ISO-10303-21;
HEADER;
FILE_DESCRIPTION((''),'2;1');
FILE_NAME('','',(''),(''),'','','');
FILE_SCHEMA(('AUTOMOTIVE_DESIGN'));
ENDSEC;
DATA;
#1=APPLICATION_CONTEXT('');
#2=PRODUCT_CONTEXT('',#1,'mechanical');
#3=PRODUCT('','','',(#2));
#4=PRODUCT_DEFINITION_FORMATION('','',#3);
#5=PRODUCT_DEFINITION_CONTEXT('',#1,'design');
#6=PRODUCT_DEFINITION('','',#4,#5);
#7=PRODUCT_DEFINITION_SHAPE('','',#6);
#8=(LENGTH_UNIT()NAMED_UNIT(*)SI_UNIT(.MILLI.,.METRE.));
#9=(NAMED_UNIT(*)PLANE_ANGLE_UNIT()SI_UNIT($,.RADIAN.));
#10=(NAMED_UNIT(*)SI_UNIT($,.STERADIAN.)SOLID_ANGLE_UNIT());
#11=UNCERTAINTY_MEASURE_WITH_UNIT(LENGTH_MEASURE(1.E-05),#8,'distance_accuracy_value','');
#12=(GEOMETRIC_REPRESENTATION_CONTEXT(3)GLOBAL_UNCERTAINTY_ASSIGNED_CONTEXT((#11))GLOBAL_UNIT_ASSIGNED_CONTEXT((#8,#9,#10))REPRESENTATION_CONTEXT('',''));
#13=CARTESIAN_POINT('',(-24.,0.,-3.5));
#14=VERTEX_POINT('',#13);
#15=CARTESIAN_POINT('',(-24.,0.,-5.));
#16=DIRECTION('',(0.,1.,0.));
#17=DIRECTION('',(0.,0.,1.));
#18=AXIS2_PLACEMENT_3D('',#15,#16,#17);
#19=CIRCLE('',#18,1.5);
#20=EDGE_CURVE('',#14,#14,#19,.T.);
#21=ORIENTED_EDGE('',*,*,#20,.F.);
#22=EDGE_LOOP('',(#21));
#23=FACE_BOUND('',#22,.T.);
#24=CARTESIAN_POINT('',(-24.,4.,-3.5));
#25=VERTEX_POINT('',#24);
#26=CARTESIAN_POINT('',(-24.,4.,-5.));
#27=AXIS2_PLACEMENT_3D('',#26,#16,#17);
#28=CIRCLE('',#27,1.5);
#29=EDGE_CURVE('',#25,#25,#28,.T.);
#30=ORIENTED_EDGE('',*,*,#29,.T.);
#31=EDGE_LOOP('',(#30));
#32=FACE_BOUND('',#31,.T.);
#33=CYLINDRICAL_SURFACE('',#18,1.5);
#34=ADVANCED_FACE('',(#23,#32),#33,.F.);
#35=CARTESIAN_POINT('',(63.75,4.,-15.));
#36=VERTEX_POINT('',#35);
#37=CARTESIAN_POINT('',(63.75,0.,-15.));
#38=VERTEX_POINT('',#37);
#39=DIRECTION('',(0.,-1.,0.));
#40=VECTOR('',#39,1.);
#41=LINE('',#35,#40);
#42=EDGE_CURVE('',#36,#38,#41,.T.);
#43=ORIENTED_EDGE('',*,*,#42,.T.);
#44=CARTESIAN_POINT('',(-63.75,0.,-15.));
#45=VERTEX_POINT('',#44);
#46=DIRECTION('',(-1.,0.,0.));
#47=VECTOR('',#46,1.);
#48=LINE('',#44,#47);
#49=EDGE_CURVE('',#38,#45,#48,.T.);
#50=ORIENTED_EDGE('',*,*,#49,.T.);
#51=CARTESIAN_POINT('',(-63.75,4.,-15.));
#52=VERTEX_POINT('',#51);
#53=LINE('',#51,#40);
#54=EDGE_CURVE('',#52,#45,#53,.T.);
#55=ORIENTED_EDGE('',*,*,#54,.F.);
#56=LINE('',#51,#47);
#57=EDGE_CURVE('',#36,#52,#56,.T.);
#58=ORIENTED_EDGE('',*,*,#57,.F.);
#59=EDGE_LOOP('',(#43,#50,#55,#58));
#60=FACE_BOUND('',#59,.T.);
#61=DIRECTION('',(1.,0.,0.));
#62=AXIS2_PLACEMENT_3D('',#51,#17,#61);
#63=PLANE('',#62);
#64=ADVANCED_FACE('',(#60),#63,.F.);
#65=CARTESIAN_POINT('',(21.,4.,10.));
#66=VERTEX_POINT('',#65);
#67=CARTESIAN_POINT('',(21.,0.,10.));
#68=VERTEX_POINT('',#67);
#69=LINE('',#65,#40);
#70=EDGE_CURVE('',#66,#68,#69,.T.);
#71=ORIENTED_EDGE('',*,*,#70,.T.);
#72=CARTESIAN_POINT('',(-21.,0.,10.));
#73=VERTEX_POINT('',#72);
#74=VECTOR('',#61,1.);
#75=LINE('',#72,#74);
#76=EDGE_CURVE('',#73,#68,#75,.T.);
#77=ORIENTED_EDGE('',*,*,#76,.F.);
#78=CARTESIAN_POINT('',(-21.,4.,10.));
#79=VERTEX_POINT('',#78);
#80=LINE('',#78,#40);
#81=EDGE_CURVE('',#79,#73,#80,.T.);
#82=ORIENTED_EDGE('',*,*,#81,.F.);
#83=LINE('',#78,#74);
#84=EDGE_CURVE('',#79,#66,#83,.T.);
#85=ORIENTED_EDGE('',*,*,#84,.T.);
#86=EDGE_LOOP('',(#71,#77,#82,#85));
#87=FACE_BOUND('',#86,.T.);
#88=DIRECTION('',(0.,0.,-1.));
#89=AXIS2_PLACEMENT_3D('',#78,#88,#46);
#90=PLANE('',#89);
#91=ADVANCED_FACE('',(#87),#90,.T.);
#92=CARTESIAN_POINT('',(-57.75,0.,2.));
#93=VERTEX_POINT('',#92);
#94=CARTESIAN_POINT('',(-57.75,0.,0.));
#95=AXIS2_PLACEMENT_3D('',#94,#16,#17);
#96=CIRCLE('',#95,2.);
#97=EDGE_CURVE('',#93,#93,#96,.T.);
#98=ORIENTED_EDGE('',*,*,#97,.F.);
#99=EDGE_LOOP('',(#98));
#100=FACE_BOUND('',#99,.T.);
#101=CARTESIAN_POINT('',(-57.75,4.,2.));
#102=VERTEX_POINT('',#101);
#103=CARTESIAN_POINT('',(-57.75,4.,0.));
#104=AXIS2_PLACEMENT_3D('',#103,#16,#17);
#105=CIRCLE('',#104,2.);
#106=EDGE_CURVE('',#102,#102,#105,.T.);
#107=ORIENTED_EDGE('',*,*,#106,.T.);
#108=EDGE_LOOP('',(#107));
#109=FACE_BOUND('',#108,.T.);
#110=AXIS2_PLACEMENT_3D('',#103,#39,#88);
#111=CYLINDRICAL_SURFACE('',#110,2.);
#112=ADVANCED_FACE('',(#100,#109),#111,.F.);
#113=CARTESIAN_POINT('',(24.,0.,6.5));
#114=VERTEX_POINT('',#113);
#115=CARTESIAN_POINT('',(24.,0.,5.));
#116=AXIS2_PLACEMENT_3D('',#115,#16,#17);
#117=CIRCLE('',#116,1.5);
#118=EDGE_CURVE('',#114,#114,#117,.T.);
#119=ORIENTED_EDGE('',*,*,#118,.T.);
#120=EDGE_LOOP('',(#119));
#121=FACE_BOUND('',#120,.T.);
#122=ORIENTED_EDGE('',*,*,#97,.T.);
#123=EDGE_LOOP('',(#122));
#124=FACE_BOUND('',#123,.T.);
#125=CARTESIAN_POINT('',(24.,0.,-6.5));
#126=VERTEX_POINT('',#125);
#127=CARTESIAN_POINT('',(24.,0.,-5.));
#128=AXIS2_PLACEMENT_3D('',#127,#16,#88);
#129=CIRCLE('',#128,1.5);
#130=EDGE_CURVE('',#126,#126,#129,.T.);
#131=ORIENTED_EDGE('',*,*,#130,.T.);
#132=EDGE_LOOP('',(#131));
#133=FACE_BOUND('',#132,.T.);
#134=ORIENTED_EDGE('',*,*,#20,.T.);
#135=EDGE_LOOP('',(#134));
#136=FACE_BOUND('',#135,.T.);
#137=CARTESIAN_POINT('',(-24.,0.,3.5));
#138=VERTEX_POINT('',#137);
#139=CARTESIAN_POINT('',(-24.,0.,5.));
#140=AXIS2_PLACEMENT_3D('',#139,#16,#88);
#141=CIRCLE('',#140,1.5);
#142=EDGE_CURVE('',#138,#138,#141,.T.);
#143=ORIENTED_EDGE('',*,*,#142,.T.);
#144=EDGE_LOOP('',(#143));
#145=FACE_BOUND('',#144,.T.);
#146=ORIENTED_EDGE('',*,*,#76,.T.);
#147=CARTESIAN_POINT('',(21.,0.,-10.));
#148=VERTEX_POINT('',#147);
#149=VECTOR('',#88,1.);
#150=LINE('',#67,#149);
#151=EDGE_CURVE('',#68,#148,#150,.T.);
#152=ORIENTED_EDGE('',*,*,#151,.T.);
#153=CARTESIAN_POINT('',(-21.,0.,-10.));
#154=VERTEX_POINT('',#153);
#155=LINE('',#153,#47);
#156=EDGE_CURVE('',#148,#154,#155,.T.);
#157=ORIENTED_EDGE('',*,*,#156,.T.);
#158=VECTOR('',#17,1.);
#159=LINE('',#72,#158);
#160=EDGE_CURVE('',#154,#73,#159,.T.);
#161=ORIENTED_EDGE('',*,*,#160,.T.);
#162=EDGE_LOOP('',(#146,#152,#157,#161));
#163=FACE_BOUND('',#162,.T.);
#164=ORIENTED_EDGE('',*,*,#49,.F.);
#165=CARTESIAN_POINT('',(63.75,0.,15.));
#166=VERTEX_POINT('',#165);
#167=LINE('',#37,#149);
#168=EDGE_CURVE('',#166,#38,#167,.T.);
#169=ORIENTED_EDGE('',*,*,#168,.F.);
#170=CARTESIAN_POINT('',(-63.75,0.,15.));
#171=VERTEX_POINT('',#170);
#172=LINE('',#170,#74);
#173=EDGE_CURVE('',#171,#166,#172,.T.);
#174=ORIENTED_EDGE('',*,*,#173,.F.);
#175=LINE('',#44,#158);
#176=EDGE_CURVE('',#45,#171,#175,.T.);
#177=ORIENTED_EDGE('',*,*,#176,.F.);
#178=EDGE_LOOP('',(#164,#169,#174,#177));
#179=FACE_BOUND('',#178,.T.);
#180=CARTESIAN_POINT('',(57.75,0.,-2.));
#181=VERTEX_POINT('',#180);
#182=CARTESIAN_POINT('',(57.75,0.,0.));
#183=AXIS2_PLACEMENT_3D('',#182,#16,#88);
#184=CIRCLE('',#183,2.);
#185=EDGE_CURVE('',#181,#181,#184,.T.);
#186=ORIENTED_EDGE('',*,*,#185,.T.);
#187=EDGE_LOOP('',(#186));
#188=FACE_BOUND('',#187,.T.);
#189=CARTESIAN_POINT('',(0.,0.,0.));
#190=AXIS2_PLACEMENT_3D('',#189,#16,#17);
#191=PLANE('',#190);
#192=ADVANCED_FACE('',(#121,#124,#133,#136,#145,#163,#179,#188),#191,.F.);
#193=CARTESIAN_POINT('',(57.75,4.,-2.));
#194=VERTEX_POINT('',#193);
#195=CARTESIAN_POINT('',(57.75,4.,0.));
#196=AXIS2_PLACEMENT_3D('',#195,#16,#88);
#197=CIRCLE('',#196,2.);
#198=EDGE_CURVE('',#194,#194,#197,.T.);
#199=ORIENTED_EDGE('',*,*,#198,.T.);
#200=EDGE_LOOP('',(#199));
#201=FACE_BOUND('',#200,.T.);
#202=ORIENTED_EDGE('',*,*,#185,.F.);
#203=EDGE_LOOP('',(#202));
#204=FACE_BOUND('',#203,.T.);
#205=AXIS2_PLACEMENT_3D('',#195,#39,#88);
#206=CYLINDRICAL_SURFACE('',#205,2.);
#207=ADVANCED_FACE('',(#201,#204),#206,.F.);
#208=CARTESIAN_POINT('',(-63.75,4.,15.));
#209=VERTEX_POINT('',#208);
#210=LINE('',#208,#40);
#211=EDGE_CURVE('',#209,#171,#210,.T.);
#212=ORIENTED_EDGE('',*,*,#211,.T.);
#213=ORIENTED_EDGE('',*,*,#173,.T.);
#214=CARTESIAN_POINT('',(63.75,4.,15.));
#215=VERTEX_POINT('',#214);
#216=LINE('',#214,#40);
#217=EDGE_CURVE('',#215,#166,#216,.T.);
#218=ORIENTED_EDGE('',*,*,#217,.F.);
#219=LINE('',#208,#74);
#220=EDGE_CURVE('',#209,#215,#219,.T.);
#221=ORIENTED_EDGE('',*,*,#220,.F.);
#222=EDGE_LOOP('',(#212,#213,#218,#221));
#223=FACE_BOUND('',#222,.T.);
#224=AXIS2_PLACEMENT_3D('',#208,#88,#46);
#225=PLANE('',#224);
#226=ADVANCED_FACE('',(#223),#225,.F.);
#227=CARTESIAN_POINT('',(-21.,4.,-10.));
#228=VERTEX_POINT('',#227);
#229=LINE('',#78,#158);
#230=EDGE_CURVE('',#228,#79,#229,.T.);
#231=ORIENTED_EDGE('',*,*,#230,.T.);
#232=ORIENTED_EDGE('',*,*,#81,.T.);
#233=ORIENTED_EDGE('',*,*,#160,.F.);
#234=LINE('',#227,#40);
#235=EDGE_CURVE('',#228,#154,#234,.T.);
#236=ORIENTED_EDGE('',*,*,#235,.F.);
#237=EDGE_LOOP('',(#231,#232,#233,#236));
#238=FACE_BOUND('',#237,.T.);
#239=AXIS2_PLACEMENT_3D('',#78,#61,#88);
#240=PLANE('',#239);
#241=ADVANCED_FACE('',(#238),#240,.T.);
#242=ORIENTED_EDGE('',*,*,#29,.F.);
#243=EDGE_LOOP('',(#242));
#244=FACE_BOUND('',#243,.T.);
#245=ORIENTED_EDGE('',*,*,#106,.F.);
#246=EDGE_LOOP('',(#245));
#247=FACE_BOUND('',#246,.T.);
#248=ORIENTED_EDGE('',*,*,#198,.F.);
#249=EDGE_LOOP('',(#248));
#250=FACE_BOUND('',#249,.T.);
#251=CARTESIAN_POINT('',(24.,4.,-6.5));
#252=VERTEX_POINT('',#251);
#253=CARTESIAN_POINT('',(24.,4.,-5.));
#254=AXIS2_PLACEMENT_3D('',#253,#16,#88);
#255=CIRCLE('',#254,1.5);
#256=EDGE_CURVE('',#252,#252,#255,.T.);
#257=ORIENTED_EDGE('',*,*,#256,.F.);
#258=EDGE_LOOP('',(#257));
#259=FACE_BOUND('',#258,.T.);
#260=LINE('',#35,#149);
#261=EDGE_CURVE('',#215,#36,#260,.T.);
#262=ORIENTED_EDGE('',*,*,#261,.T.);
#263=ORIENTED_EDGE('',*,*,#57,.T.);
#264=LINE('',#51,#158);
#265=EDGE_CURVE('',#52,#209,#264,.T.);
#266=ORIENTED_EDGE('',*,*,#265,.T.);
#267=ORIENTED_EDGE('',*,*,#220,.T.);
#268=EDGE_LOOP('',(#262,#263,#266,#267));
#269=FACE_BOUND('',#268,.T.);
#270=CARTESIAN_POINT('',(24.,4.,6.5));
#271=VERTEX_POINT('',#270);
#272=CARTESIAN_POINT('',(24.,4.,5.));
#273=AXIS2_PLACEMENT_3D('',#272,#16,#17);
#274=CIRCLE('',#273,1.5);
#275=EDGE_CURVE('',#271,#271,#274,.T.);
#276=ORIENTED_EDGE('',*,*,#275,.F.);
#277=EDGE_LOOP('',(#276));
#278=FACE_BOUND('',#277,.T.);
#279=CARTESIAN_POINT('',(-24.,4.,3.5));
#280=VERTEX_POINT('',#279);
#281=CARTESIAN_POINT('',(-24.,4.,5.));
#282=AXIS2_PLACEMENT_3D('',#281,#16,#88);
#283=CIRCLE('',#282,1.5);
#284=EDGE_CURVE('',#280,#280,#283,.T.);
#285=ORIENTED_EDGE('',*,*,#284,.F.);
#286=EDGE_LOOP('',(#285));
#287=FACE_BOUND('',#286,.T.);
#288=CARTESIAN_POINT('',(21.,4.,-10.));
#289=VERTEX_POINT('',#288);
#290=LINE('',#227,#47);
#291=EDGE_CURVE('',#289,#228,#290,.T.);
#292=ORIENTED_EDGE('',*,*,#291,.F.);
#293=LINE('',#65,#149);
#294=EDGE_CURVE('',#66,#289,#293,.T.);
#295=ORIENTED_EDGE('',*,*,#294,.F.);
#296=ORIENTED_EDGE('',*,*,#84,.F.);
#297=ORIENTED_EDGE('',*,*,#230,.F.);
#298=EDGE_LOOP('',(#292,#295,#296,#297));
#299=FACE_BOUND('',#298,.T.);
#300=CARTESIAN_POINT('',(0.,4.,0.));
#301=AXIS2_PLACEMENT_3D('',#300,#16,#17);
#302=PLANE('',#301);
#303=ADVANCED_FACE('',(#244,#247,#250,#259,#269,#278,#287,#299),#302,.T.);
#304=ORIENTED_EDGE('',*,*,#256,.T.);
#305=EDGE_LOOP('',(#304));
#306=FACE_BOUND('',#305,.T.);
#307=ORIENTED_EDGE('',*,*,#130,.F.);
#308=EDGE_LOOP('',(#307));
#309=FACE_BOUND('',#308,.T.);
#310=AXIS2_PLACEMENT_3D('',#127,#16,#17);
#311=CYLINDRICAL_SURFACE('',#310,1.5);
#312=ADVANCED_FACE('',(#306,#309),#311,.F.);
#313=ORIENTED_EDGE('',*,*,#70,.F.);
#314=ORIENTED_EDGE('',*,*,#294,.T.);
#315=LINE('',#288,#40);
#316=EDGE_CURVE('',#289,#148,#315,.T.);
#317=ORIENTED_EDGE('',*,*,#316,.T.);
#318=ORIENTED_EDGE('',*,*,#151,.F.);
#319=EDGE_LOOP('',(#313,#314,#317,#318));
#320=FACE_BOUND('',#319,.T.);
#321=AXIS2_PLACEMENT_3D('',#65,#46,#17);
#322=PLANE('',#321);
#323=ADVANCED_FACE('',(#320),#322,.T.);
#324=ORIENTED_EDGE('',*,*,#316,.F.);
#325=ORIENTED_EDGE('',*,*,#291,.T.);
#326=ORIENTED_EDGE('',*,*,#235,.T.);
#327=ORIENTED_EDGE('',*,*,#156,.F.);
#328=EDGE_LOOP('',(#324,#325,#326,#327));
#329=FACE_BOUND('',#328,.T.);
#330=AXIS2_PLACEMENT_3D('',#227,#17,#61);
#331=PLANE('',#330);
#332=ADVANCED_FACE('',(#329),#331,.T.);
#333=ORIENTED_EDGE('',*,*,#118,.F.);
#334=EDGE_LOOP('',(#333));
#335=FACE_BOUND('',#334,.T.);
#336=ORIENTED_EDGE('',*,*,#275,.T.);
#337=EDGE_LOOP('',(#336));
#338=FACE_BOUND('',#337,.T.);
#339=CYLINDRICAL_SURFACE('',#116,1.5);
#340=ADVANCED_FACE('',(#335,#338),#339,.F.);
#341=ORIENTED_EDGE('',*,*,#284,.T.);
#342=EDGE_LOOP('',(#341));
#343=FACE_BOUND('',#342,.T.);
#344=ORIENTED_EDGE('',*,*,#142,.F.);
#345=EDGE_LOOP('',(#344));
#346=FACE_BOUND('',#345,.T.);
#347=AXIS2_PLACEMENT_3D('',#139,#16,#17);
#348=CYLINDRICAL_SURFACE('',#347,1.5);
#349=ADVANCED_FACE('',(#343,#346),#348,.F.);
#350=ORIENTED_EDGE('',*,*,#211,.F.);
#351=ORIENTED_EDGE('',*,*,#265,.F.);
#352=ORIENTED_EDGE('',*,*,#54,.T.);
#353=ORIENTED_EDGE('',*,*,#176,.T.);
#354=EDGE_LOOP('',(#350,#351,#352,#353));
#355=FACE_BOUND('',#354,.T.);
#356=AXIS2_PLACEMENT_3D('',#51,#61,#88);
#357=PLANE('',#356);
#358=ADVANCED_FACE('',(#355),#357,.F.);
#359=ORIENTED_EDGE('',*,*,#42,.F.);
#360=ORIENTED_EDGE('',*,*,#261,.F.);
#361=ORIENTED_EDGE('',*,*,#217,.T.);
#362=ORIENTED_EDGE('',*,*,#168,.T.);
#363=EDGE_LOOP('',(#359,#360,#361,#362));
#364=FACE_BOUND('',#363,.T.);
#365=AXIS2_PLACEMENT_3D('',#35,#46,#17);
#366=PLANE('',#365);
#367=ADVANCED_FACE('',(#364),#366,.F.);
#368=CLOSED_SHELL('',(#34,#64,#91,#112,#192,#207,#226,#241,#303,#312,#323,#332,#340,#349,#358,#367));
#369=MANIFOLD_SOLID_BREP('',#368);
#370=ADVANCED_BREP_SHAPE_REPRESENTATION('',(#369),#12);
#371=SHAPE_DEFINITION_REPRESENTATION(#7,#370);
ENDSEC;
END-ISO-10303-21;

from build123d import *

# Parameters (mm, degrees)
SKETCH1_W           = 127.5
SKETCH1_H           = 30
SKETCH1_R           = 2
SKETCH1_W_2         = 42
SKETCH1_H_2         = 20
BOSS_EXTRUDE1_DEPTH = 4
SKETCH2_R           = 1.5
CUT_EXTRUDE1_DEPTH  = 66.612975089


with BuildPart() as part:
    # Sketch1 → Boss-Extrude1 (new body)
    with BuildSketch(Plane(origin=(0, 0, 0), x_dir=(1, 0, 0), z_dir=(0, 1, 0))):
        Rectangle(SKETCH1_W, SKETCH1_H)
        with Locations(Location((-57.75, 0, 0), (0, 0, 270))):
            Circle(SKETCH1_R, mode=Mode.SUBTRACT)
        with Locations(Location((57.75, 0, 0), (0, 0, 90))):
            Circle(SKETCH1_R, mode=Mode.SUBTRACT)
        Rectangle(SKETCH1_W_2, SKETCH1_H_2, mode=Mode.SUBTRACT)
    extrude(amount=BOSS_EXTRUDE1_DEPTH)

    # Sketch2 → Cut-Extrude1 (cut, through all)
    with BuildSketch(Plane(origin=(0, 4, 0), x_dir=(1, 0, 0), z_dir=(0, 1, 0))):
        with Locations(Location((-24, 5, 0), (0, 0, 270))):
            Circle(SKETCH2_R)
        with Locations(Location((-24, -5, 0), (0, 0, 90))):
            Circle(SKETCH2_R)
        with Locations(Location((24, -5, 0), (0, 0, 270))):
            Circle(SKETCH2_R)
        with Locations(Location((24, 5, 0), (0, 0, 90))):
            Circle(SKETCH2_R)
    extrude(amount=-CUT_EXTRUDE1_DEPTH, mode=Mode.SUBTRACT)


solid = part.part
